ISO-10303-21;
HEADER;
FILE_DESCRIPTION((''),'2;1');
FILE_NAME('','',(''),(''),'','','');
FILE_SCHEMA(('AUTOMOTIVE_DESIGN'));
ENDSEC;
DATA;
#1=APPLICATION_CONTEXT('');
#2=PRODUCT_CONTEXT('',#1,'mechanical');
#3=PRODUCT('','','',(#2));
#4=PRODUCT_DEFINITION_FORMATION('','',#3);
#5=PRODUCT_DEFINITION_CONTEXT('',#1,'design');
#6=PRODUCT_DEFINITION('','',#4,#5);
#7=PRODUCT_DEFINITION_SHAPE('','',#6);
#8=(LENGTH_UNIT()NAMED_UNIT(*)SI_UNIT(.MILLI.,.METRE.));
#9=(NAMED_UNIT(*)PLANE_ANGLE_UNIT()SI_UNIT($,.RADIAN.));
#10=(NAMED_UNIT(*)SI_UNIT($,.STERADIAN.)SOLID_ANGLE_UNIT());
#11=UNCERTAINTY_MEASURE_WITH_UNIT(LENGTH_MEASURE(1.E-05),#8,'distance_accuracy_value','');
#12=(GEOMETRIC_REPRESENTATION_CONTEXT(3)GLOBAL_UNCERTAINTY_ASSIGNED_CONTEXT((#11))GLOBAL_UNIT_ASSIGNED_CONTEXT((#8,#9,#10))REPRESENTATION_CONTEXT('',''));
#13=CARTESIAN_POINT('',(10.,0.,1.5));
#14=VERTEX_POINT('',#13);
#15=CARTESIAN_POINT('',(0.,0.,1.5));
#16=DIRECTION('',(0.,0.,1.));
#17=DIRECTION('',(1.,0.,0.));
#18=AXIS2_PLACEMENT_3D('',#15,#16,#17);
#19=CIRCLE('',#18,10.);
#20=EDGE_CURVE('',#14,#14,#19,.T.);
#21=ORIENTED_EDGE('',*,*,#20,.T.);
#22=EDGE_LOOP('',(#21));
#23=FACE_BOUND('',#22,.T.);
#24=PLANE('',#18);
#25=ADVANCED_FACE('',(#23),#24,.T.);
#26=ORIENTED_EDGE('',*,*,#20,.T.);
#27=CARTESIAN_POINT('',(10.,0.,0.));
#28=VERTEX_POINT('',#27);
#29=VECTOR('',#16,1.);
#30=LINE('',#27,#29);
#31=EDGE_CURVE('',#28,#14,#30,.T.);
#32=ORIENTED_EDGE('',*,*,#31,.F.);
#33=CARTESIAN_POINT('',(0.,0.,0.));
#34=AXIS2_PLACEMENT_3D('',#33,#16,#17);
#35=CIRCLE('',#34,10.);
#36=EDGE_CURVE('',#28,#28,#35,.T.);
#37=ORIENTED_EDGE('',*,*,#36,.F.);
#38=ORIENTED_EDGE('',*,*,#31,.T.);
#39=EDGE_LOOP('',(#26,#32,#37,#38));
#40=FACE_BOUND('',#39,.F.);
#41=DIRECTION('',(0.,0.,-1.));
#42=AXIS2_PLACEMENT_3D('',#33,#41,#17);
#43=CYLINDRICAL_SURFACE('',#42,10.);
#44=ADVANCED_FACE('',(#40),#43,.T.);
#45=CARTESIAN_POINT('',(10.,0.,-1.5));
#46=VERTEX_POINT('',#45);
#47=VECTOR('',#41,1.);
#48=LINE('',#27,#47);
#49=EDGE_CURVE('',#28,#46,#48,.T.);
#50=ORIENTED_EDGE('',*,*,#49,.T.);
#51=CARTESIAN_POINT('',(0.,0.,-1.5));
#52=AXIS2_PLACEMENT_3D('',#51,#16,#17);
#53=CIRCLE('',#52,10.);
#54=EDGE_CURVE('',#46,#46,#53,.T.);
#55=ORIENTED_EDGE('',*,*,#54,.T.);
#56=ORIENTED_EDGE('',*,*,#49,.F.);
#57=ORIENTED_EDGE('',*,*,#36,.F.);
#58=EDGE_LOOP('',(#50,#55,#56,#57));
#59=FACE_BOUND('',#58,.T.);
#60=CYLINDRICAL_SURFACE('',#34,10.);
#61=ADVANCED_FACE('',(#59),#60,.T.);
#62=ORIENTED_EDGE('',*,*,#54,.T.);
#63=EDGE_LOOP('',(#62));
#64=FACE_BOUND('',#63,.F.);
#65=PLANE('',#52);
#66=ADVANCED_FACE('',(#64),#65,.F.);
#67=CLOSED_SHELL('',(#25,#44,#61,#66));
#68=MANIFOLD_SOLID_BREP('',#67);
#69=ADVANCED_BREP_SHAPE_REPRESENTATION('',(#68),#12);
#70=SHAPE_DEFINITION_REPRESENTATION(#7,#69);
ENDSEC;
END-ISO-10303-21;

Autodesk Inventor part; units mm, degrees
ref_plane "YZ Plane" through (0, 0, 0) normal (1, 0, 0) x (0, 1, 0)
ref_plane "XZ Plane" through (0, 0, 0) normal (0, 1, 0) x (-1, 0, 0)
ref_plane "XY Plane" through (0, 0, 0) normal (0, 0, 1) x (1, 0, 0)
sketch "Эскиз1" plane through (0, 0, 0) normal (0, 0, 1) x (1, 0, 0)
  circle A0 centre (0, 0) radius 10
  dimension "d0" = 20
extrude "Выдавливание1" add sketch "Эскиз1" along normal mid plane 3
properties part number "76. Заглушка"
